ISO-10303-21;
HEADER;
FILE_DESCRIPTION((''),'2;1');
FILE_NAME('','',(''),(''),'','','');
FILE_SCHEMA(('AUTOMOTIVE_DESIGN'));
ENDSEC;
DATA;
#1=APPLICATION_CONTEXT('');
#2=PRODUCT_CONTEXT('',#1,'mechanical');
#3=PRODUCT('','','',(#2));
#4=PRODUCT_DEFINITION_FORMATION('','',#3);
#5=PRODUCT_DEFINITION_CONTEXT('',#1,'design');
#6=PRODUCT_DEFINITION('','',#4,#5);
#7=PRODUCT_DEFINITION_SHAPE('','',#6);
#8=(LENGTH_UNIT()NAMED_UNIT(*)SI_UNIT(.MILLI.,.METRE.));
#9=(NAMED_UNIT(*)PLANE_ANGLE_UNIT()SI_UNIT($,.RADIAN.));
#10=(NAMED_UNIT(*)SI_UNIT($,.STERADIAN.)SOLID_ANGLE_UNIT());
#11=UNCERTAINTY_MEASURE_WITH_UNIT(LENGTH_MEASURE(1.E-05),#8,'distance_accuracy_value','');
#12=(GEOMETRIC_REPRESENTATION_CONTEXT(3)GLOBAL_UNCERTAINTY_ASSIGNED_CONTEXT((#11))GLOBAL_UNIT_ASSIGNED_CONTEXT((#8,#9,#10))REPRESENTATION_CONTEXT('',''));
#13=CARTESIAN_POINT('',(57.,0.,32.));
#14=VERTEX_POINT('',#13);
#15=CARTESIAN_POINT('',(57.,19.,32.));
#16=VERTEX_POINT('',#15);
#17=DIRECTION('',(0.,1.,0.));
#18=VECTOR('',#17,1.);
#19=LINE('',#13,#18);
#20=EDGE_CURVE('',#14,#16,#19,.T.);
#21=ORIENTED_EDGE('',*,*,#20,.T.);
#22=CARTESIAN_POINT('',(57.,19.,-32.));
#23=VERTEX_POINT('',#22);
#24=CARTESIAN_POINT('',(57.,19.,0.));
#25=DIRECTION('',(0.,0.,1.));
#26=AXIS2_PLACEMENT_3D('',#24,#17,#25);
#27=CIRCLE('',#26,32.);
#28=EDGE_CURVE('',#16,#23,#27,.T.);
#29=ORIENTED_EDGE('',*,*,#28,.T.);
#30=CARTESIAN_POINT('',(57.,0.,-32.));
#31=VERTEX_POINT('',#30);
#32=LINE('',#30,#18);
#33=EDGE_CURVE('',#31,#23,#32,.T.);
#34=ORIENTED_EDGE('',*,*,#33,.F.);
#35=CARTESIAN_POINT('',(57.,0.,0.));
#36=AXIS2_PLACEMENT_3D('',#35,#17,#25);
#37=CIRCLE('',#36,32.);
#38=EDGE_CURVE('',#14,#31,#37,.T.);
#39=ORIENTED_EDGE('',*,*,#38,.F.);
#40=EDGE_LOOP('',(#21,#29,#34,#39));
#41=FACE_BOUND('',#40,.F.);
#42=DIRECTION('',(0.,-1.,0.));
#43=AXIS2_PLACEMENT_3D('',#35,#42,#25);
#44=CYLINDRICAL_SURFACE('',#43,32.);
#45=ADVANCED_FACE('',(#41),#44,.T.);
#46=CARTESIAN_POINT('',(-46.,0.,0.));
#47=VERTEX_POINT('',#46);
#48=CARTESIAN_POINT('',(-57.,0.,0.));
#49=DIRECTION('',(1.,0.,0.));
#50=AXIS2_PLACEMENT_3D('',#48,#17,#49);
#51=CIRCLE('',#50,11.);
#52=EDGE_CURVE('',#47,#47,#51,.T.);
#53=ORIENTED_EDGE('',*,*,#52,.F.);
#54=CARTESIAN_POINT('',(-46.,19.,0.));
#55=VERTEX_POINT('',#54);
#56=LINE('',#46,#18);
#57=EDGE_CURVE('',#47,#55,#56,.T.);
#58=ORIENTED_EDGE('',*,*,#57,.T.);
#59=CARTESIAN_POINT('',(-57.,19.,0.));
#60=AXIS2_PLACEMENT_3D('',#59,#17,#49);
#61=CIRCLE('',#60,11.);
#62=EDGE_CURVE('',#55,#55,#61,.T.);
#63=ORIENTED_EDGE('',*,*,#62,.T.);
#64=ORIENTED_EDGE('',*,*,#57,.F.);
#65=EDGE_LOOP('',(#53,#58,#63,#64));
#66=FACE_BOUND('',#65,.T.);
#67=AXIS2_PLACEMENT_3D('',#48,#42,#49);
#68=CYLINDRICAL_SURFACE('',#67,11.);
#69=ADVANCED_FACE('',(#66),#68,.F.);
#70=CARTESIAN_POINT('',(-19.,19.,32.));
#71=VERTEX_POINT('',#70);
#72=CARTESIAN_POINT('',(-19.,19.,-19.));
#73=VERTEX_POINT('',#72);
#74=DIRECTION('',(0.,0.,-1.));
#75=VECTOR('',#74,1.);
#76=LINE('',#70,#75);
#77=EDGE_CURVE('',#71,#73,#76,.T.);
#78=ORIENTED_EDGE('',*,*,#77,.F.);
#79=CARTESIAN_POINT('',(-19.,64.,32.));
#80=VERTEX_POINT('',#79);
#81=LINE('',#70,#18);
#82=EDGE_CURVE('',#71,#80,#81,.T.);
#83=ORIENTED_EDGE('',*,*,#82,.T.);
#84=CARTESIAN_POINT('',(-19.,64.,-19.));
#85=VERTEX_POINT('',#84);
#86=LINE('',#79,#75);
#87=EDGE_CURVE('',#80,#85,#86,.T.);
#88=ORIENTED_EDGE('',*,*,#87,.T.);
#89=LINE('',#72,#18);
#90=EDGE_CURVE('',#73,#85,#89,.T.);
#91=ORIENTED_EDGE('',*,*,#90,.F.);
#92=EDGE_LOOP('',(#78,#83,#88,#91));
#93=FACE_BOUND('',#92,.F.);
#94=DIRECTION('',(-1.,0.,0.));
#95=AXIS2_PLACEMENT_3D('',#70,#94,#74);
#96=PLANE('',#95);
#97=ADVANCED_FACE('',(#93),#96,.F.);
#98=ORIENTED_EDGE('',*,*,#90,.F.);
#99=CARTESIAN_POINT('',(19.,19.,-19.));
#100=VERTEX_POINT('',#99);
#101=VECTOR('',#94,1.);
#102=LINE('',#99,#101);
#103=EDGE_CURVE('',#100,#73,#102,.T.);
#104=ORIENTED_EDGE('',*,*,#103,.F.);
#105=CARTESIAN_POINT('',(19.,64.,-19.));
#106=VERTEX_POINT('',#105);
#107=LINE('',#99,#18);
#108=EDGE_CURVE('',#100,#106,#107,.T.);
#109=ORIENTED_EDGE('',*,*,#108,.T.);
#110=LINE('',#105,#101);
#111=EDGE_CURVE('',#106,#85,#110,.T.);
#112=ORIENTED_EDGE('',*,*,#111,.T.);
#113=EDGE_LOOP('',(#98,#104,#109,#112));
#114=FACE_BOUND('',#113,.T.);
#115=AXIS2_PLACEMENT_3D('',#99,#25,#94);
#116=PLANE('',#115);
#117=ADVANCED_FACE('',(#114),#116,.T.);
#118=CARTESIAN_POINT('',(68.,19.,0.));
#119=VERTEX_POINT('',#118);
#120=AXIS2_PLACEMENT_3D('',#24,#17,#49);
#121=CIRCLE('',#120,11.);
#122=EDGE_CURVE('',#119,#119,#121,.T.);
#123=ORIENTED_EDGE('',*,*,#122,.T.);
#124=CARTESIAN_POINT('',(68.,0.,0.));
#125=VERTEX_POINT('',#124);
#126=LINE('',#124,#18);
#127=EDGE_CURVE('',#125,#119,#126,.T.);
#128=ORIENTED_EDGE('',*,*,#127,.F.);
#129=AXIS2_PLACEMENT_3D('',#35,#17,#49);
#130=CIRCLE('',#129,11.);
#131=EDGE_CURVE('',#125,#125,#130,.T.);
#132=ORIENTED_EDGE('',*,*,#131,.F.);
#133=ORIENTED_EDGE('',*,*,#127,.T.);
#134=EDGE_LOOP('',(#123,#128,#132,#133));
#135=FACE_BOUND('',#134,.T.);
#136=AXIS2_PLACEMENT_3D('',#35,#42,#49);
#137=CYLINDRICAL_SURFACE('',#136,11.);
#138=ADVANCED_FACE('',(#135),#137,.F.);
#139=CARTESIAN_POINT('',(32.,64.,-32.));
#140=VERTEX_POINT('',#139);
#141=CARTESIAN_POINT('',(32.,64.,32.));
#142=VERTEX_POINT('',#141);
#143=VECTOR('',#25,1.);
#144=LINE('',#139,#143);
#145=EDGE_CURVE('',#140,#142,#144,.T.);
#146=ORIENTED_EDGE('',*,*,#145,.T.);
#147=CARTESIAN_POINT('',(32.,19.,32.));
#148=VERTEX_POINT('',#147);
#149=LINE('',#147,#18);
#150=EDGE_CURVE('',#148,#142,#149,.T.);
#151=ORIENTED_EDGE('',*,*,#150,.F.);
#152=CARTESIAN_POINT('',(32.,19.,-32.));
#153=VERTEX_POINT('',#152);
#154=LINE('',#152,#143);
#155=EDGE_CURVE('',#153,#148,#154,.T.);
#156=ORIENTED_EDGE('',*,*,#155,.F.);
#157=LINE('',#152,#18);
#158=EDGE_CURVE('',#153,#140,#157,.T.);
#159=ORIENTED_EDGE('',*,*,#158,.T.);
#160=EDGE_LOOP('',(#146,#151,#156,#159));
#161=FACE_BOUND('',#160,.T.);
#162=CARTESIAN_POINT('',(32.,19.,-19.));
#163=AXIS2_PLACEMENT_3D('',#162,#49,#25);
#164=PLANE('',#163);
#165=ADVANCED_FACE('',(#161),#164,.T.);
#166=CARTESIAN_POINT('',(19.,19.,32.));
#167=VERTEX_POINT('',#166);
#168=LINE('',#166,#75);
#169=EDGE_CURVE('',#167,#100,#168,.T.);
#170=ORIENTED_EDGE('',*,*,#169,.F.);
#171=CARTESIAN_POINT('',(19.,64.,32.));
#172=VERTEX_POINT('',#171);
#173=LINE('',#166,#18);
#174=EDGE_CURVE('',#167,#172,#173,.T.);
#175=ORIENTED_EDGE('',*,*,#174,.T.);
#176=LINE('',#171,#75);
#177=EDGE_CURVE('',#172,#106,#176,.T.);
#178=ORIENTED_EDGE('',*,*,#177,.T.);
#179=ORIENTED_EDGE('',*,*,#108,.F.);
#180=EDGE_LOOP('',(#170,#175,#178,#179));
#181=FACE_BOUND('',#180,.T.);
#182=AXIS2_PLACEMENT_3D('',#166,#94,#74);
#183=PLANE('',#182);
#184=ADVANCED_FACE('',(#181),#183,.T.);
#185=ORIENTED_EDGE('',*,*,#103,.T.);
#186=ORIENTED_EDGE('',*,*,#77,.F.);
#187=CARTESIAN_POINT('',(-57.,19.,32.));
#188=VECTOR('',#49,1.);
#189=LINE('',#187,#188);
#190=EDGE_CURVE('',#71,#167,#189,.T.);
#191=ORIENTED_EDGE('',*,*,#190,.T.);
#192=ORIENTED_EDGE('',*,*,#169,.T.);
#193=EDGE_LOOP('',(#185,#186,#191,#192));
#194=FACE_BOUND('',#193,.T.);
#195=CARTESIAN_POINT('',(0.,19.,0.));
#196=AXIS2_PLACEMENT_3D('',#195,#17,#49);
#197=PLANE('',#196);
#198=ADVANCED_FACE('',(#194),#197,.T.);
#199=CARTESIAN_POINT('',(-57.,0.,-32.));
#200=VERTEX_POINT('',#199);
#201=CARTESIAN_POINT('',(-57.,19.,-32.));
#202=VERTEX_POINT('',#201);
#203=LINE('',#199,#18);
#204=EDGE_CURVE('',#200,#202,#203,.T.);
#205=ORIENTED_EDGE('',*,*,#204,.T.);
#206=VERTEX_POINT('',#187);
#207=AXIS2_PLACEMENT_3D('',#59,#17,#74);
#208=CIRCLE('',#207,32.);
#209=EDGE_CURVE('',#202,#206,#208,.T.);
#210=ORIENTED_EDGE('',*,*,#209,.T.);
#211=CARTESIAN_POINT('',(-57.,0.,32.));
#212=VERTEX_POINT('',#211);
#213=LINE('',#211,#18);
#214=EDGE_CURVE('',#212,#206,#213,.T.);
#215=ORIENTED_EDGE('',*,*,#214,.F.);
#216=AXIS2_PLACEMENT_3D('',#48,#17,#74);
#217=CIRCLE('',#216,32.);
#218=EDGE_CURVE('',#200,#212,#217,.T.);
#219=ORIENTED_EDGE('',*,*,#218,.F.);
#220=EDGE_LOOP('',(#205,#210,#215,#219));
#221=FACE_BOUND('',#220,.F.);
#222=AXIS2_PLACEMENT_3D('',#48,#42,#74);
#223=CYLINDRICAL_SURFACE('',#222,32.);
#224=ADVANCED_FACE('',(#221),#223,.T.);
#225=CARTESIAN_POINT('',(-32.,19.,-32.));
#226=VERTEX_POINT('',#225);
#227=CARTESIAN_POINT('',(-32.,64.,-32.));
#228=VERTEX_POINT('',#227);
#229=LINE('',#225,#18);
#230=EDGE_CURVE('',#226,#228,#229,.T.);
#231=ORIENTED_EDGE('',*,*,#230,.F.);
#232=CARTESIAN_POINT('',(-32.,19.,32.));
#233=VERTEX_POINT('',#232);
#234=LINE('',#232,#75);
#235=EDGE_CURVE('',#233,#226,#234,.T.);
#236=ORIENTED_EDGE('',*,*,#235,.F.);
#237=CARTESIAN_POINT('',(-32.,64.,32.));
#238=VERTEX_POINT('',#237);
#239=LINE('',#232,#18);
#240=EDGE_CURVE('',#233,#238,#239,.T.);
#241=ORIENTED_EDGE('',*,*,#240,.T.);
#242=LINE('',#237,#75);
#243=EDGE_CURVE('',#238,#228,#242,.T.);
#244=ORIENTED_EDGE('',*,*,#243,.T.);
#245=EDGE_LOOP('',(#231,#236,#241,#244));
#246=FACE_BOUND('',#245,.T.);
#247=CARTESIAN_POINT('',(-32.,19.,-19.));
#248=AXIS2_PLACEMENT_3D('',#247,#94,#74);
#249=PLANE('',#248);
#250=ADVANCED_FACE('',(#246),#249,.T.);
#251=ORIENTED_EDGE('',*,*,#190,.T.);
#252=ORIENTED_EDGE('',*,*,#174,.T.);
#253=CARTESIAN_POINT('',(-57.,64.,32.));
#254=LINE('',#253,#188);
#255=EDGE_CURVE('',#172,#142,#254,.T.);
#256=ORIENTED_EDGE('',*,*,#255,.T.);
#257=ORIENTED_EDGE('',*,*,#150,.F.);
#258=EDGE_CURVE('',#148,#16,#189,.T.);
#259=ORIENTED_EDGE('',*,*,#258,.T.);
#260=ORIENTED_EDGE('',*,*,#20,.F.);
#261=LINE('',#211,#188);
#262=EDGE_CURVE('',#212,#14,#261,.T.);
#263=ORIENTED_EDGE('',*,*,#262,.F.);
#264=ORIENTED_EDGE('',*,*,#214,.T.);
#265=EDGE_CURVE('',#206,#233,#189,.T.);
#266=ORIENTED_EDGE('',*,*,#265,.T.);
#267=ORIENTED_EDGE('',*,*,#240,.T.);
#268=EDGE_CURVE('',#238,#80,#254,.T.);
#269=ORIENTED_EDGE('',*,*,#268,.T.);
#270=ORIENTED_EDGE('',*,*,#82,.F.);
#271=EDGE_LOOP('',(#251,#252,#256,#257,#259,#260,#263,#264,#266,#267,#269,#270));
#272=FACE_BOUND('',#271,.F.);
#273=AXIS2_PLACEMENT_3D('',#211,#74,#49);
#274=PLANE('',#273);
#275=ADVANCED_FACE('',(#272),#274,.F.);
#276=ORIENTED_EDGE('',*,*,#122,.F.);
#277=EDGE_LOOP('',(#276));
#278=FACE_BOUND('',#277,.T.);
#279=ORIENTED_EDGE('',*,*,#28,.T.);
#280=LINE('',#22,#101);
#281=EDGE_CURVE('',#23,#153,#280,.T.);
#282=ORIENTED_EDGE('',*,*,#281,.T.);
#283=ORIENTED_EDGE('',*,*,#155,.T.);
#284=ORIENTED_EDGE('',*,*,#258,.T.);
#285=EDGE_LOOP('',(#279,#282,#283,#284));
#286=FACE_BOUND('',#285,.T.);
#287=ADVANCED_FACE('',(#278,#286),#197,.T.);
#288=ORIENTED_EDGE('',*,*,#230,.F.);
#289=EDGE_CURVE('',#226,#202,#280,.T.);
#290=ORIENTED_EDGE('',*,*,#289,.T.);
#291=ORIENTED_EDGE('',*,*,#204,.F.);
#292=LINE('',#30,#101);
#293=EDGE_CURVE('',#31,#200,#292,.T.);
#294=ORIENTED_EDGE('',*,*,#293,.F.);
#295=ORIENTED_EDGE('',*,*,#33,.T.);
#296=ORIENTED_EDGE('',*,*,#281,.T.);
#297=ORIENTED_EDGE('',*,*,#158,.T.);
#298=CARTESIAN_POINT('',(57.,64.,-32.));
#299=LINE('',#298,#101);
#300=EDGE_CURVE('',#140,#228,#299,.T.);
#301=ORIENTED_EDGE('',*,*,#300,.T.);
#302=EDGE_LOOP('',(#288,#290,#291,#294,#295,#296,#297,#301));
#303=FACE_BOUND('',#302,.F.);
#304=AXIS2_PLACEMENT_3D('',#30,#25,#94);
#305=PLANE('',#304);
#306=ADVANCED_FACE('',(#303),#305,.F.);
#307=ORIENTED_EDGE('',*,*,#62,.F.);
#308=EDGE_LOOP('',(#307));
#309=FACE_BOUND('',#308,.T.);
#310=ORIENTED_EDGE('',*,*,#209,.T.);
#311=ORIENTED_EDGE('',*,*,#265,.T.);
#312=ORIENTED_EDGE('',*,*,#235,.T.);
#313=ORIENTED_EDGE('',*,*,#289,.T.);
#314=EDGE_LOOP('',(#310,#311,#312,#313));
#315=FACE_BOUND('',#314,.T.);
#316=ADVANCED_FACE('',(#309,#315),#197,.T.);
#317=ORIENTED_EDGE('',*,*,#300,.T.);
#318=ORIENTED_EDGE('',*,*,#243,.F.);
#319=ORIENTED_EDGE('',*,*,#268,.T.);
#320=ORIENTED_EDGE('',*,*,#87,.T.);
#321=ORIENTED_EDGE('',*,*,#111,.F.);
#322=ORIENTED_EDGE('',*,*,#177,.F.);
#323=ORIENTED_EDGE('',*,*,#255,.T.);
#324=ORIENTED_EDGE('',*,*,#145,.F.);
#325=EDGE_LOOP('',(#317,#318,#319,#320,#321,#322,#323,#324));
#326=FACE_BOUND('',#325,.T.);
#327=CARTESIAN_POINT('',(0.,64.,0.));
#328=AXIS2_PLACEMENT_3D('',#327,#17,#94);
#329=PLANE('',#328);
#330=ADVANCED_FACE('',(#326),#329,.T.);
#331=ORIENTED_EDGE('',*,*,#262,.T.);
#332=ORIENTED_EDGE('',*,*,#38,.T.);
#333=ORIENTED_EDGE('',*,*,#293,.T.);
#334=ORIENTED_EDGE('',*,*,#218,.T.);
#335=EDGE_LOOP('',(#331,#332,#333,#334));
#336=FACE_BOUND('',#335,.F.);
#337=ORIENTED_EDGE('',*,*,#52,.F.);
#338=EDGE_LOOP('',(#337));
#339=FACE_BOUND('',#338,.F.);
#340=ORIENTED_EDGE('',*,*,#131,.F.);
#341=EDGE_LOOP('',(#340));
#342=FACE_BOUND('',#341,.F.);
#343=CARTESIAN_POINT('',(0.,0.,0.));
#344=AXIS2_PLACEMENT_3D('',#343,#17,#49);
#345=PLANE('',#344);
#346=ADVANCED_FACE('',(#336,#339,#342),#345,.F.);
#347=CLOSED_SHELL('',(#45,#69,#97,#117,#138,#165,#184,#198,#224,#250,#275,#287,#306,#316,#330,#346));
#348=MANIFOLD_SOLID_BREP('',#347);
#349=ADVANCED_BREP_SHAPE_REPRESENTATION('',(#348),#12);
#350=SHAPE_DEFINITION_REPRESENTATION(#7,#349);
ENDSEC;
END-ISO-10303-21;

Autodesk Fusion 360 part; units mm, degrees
sketch "Base" plane through (0, 0, 0) normal (0, 1, 0) x (1, 0, 0)
  line L0 (-57, -32) -> (57, -32)
  line L1 (57, 32) -> (-57, 32)
  line L2 (-57, -32) -> (57, 32) construction
  line L3 (57, -32) -> (-57, 32) construction
  circle A0 centre (57, 0) radius 11
  circle A1 centre (-57, 0) radius 11
  arc A2 (-57, 32) -> (-57, -32) centre (-57, 0) ccw
  arc A3 (57, -32) -> (57, 32) centre (57, 0) ccw
  dimension "d1" = 114
  dimension "d2" = 64
  dimension "d3" = 64
  dimension "d4" = 22
extrude "Extrude1" add sketch "Base" along normal blind 19
sketch "Top piece" plane through (0, 19, 0) normal (0, 1, 0) x (-1, 0, 0)
  circle A0 centre (-57, 0) radius 11
  circle A1 centre (57, 0) radius 11
  arc A2 (-57, 32) -> (-57, -32) centre (-57, 0) ccw
  line L0 (-57, -32) -> (57, -32)
  arc A3 (57, -32) -> (57, 32) centre (57, 0) ccw
  line L1 (57, 32) -> (-57, 32)
  line L2 (-32, 32) -> (32, 32)
  line L3 (32, 32) -> (32, -32)
  line L4 (32, -32) -> (-32, -32)
  line L5 (-32, -32) -> (-32, 32)
  line L6 (-32, 32) -> (32, -32) construction
  line L7 (32, 32) -> (-32, -32) construction
  line L8 (32, 32) -> (19, 32)
  line L9 (19, 32) -> (19, -19)
  line L10 (32, -19) -> (32, 32)
  line L11 (32, -32) -> (-32, -32)
  line L12 (-32, -32) -> (-32, -19)
  line L13 (-19, -19) -> (19, -19)
  line L14 (32, -19) -> (32, -32)
  line L15 (-32, 32) -> (-19, 32)
  line L16 (-19, 32) -> (-19, -19)
  line L17 (-32, -19) -> (-32, 32)
  dimension "d7" = 64
  dimension "d8" = 13
  dimension "d9" = 51
extrude "Extrude2" add sketch "Top piece" along normal blind 45 contours L0 L1 L2 L3 L4 L5 L8 L9 L10 L11 L12 L13 L14 L15 L16 L17
sketch "Triangle" plane through (-19, 0, 0) normal (1, 0, 0) x (0, 0, -1)
  line L0 (-32, 19) -> (19, 19)
  line L1 (19, 19) -> (19, 64)
  line L2 (19, 64) -> (-32, 64)
  line L3 (-32, 64) -> (-32, 19)
  line L4 (19, 64) -> (-32, 19)
  line L5 (19, 19) -> (-32, 19)
  line L6 (19, 19) -> (19, 64)
extrude "Extrude3" [suppressed]
